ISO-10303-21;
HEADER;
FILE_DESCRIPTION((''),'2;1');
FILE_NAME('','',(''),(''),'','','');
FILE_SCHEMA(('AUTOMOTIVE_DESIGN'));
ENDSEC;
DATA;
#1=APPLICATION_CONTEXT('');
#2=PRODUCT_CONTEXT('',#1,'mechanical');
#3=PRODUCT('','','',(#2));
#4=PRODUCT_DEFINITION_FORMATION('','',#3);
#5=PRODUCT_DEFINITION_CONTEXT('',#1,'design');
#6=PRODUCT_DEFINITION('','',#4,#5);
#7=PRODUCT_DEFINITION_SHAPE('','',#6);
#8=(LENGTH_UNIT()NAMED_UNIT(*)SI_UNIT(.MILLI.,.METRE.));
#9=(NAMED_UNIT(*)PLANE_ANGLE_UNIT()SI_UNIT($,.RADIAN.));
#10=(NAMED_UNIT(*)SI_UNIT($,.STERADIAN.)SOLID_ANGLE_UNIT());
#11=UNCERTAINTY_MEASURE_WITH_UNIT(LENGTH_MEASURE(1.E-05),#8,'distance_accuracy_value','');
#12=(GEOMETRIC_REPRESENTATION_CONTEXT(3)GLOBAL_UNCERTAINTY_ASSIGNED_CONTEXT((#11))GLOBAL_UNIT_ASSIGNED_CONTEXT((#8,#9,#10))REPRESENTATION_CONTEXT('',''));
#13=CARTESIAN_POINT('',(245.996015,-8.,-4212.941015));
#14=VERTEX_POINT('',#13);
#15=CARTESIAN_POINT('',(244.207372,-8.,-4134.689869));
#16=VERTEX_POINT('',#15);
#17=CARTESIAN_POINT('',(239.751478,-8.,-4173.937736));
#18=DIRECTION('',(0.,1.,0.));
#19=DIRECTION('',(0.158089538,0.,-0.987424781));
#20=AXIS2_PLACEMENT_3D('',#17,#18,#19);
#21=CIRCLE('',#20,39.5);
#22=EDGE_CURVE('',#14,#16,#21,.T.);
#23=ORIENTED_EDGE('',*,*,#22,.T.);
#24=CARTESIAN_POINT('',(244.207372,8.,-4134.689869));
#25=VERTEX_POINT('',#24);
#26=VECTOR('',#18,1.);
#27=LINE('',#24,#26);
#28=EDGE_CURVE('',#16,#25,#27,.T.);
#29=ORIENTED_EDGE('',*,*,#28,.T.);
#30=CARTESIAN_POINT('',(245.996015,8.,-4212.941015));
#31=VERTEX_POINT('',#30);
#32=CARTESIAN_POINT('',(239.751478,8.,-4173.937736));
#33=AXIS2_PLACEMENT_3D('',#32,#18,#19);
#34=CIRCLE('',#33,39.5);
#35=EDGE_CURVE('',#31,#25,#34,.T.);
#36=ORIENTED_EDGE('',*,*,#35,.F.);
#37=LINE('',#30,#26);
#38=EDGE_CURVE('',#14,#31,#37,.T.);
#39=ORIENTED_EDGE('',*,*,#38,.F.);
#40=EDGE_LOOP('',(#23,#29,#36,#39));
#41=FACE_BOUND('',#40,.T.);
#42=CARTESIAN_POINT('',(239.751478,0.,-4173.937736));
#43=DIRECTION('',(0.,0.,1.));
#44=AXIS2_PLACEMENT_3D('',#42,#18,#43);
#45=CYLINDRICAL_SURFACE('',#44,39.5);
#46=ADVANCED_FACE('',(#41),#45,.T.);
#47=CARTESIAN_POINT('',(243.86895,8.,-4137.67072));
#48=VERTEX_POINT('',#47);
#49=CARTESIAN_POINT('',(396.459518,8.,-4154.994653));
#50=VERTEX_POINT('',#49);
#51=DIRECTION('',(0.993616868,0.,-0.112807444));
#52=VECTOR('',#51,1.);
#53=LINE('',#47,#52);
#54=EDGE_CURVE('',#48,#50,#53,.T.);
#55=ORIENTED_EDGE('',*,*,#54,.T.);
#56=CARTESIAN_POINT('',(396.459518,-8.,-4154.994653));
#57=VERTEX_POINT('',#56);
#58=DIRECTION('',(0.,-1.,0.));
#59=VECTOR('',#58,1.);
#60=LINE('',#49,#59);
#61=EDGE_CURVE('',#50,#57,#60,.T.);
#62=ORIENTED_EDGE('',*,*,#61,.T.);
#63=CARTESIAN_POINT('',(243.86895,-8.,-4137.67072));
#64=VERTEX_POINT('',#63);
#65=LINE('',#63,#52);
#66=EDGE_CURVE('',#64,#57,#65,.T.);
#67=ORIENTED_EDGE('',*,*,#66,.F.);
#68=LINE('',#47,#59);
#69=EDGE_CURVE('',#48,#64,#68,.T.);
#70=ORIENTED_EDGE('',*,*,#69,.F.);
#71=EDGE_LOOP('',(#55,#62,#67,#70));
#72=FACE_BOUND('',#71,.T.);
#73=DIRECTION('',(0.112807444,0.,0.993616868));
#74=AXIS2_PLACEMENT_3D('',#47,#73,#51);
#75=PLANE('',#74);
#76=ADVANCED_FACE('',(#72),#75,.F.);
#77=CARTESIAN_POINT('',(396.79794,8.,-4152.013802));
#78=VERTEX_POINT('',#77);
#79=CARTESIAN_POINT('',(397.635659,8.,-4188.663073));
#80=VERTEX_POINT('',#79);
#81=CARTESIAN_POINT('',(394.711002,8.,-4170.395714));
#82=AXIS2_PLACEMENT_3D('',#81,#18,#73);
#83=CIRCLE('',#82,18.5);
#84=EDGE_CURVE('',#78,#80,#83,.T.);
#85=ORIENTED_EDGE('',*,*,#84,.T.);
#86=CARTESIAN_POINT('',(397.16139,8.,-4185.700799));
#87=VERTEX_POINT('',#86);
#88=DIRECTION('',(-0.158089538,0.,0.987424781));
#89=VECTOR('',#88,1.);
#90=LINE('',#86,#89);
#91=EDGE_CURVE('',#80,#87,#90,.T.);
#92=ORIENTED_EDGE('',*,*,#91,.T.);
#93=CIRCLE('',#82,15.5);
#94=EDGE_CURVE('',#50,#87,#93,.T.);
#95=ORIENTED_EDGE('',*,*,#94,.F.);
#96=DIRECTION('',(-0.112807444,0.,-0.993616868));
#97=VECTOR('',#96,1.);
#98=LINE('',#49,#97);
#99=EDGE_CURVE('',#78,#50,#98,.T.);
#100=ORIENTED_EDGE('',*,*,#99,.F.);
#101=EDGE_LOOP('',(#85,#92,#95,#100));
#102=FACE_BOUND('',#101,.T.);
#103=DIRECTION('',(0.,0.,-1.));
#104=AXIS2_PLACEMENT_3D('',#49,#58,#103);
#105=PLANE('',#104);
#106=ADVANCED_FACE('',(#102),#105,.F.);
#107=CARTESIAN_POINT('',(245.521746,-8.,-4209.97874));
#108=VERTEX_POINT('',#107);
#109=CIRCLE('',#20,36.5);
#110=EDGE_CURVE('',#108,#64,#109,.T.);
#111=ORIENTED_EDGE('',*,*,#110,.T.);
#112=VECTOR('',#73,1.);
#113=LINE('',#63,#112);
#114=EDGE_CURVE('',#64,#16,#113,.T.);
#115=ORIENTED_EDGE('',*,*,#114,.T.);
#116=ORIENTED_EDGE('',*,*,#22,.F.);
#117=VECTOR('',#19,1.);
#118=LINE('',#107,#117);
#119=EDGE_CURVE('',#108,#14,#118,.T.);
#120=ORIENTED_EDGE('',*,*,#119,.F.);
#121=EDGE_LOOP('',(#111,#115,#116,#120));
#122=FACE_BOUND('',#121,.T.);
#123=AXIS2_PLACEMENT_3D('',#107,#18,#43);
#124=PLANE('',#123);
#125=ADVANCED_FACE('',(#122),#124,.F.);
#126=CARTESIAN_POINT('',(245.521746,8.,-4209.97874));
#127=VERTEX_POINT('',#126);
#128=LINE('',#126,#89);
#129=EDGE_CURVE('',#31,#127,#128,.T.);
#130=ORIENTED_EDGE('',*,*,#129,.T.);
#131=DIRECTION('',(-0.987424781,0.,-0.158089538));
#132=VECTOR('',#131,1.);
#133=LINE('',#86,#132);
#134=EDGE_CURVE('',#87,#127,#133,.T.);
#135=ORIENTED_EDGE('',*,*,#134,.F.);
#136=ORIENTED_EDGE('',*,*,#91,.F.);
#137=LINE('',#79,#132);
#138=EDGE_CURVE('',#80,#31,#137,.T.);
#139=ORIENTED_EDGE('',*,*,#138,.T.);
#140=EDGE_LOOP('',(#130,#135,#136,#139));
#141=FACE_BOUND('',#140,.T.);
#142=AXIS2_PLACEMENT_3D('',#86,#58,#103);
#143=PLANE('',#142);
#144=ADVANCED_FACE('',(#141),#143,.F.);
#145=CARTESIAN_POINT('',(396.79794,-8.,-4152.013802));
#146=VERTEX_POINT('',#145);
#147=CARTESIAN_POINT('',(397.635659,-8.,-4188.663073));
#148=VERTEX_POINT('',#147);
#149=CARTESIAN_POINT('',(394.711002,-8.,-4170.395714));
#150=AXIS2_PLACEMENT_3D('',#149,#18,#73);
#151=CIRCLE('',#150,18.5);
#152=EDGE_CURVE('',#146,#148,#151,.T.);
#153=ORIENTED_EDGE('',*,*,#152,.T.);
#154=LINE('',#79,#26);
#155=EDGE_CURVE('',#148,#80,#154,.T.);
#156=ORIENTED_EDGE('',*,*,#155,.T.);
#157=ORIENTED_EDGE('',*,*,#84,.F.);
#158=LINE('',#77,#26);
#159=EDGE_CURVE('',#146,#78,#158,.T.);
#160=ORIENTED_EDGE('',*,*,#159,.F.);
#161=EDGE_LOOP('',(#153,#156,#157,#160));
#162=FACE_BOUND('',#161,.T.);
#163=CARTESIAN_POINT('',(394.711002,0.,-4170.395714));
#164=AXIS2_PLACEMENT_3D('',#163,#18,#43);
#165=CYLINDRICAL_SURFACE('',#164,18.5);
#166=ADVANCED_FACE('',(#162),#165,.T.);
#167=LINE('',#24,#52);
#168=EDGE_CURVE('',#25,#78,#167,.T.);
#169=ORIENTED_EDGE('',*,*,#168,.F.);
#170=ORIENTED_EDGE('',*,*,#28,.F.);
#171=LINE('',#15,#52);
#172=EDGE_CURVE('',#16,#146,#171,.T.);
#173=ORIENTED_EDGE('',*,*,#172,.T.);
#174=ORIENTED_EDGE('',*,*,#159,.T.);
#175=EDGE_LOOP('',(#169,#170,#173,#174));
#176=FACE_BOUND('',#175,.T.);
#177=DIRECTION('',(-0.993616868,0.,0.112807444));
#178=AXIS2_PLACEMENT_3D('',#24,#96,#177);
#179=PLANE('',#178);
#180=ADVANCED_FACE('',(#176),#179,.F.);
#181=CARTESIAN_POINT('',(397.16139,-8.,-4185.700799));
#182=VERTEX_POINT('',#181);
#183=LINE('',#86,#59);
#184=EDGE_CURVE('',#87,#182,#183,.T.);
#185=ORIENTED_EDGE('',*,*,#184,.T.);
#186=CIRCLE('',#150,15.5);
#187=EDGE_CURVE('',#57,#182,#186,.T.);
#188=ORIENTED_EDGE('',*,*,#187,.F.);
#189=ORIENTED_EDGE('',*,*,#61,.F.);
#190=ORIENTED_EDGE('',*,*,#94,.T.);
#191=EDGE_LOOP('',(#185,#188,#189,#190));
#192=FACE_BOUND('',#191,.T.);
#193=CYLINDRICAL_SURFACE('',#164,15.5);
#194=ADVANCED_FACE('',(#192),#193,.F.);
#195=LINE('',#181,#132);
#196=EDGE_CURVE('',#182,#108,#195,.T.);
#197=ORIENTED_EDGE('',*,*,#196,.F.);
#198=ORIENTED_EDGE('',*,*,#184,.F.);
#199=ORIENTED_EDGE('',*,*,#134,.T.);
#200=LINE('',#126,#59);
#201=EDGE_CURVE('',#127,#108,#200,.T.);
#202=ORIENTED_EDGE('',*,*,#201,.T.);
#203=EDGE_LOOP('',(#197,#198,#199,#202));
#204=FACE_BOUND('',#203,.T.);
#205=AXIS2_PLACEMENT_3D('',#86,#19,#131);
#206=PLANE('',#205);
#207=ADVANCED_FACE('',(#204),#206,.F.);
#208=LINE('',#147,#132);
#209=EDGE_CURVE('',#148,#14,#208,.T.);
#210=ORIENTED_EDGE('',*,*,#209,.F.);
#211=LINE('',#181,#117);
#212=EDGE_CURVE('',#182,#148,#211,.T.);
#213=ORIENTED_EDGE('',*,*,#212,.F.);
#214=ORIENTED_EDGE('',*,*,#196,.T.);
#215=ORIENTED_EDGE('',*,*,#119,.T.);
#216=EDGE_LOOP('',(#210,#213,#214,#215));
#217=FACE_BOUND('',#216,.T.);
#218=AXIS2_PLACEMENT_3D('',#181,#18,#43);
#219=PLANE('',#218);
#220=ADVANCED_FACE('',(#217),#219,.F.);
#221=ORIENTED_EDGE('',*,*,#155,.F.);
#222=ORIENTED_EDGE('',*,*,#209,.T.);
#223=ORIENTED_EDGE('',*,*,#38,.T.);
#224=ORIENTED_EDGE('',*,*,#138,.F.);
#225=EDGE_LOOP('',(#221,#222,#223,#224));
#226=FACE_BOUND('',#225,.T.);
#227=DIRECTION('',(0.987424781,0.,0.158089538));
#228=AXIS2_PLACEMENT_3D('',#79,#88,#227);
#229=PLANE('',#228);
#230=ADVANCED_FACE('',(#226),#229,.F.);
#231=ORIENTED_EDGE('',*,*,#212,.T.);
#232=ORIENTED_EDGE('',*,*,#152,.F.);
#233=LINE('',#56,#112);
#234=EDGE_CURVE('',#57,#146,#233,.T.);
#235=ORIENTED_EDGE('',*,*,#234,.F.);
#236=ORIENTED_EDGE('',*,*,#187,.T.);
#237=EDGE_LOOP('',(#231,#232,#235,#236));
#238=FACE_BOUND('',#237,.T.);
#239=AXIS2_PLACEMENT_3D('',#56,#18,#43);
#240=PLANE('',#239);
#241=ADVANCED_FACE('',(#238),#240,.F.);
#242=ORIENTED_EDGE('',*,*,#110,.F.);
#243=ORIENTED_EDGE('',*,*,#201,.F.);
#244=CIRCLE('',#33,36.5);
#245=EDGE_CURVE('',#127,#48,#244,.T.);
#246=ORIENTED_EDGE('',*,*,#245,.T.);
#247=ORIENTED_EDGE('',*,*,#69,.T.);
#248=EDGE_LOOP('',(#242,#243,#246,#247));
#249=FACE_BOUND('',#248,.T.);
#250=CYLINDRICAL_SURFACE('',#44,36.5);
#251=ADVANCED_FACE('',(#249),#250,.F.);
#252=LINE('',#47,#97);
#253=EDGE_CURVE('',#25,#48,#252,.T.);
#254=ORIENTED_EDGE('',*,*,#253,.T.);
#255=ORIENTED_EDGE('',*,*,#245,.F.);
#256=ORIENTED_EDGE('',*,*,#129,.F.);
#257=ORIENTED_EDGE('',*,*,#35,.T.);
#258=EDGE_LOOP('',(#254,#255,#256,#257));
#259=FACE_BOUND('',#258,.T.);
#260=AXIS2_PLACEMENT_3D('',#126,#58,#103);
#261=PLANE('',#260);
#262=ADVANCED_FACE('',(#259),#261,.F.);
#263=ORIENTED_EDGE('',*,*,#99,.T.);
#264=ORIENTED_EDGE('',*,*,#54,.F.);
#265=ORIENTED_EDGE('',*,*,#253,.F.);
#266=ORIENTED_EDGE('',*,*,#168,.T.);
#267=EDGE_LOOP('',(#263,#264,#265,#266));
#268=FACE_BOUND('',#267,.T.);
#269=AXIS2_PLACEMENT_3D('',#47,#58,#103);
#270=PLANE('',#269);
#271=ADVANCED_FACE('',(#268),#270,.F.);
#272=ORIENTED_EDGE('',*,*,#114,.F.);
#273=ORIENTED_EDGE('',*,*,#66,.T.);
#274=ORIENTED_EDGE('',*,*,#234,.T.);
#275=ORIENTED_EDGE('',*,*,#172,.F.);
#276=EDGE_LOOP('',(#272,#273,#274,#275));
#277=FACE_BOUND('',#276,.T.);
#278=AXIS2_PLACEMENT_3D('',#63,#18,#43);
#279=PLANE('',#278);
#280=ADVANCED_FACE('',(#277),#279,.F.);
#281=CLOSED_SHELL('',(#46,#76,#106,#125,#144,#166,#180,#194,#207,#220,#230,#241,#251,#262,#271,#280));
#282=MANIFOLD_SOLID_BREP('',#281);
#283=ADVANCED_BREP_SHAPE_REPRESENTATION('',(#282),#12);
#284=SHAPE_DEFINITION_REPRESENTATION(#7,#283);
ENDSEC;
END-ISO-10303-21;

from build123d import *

# Parameters (mm, degrees)
SKETCH2_W = 3
SKETCH2_H = 16


with BuildPart() as part:
    # Sweep1: sweep along a path in Sketch1
    with BuildLine(Plane(origin=(0, 0, 0), x_dir=(1, 0, 0), z_dir=(0, 1, 0))) as sweep1_path:
        Line((245.758880733, 4211.459877414), (397.398524449, 4187.181935703))
        ThreePointArc((397.398524449, 4187.181935703), (411.706562996, 4170.007234672), (396.62872885, 4153.504227672))
        Line((396.62872885, 4153.504227672), (244.038161159, 4136.180294755))
        ThreePointArc((244.038161159, 4136.180294755), (201.761401419, 4174.806102256), (245.758880733, 4211.459877414))
    # Sketch2 → Sweep1 (sweep)
    with BuildSketch(Plane(origin=(244.038161159, 0, -4136.180294755), x_dir=(0.11280744431470559, 0, 0.993616868066955), z_dir=(-0.993616868066955, 0, 0.11280744431470559))):
        Rectangle(SKETCH2_W, SKETCH2_H)
    sweep(path=sweep1_path.line)


solid = part.part
